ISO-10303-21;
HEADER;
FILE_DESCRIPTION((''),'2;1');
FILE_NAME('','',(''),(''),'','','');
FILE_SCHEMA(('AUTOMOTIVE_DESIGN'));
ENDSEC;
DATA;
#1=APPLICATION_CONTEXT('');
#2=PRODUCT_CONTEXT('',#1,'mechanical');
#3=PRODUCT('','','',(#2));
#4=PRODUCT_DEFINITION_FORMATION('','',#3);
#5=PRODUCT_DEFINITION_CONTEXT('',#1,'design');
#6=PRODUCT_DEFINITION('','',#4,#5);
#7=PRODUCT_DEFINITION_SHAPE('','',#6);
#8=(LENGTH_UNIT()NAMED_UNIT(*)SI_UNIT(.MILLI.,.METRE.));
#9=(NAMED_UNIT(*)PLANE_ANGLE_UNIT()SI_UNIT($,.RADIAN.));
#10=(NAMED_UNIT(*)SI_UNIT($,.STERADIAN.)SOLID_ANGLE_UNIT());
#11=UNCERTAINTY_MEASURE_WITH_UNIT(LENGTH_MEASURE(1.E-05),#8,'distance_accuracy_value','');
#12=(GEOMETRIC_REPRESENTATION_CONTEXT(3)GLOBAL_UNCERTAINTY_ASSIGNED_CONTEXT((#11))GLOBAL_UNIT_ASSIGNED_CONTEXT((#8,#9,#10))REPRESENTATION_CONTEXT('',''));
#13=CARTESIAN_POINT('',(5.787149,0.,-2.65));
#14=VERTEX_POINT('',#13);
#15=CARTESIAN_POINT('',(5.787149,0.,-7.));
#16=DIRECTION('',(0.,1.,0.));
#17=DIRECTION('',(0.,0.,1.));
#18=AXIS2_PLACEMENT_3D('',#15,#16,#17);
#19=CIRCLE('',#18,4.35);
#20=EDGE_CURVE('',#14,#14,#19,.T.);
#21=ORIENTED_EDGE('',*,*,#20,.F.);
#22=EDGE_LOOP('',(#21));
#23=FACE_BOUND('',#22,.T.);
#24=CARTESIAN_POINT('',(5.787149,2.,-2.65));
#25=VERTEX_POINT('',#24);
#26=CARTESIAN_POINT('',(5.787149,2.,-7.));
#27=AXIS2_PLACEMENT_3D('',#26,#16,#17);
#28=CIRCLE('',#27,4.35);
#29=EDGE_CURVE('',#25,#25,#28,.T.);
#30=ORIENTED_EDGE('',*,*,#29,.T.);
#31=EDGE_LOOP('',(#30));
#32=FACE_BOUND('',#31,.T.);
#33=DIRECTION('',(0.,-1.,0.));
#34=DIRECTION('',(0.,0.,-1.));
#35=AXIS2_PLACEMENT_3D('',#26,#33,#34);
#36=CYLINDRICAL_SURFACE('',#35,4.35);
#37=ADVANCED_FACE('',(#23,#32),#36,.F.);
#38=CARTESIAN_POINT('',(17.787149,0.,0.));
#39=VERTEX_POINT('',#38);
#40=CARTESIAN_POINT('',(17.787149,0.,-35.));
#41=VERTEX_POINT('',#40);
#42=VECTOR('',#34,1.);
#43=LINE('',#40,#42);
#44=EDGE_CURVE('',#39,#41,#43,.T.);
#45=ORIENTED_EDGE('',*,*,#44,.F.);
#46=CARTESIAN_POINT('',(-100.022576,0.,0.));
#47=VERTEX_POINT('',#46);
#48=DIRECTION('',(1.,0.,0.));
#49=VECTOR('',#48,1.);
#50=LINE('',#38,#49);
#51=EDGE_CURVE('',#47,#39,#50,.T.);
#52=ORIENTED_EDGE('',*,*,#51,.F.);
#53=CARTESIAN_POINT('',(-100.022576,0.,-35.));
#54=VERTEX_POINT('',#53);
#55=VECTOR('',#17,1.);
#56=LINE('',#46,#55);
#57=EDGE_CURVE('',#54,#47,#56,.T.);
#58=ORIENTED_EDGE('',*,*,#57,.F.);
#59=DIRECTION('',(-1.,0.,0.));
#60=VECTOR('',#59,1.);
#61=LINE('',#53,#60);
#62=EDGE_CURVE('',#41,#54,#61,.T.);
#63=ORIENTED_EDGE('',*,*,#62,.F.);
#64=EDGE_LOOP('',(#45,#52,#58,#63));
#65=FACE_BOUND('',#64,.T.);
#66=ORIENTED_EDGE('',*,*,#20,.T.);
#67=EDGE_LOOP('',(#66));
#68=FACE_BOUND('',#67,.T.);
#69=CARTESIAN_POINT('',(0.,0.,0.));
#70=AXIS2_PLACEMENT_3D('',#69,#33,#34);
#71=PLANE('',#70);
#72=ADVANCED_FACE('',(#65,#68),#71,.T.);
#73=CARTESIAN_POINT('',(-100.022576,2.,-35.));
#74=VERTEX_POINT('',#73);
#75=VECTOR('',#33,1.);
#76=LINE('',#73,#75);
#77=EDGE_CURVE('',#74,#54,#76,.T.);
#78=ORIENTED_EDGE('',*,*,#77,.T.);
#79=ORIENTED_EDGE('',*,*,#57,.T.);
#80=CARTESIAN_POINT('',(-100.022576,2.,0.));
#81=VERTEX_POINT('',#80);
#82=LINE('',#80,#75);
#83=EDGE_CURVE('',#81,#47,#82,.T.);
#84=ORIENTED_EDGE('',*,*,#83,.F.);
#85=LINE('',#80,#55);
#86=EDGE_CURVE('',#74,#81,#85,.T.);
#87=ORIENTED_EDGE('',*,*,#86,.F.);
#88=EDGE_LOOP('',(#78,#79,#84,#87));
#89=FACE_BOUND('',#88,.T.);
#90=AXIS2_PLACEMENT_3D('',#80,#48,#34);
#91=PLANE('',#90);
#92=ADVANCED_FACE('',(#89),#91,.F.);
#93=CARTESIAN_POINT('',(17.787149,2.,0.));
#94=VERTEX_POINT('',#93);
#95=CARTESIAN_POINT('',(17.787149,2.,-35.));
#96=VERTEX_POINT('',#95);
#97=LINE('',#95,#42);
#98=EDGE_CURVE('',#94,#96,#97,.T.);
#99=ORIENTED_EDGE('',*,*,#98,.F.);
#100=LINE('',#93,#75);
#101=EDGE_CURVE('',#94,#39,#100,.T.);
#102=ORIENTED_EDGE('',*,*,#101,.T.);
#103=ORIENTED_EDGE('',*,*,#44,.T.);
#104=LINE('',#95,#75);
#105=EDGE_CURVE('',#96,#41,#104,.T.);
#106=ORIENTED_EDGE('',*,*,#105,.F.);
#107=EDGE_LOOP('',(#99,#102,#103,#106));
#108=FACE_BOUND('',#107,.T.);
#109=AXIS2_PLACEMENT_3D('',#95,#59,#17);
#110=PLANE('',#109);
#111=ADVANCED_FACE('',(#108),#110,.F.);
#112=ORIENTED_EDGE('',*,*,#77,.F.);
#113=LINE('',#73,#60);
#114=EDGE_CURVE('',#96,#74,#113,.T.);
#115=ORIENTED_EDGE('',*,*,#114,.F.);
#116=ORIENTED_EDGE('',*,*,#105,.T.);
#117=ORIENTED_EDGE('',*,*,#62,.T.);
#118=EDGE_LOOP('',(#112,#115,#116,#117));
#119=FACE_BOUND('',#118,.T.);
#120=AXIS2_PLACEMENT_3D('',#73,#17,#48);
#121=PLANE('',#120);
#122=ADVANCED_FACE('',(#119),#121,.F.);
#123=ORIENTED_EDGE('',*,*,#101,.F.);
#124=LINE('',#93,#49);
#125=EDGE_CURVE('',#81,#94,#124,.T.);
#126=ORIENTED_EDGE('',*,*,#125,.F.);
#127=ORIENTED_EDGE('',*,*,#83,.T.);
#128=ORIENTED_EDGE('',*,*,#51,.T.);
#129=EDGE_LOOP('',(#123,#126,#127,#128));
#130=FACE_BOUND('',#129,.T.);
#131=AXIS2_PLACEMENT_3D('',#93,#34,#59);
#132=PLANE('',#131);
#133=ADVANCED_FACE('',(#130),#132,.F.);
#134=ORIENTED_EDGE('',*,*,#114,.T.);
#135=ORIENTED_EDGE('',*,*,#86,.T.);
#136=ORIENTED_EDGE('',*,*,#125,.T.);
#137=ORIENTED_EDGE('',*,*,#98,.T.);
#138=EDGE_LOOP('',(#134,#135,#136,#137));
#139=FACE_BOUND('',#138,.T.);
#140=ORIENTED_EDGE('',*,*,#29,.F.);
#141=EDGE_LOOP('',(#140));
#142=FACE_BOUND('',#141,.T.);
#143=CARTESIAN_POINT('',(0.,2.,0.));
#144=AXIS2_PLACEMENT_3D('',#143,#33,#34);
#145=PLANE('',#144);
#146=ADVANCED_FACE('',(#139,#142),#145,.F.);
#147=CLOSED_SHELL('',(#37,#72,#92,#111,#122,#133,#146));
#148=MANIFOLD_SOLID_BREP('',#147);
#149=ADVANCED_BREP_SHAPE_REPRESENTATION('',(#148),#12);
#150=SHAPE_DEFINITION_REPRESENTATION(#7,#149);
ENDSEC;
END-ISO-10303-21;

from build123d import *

# Parameters (mm, degrees)
SKETCH1_W           = 117.809724509
SKETCH1_H           = 35
SKETCH1_R           = 4.35
BOSS_EXTRUDE1_DEPTH = 2


with BuildPart() as part:
    # Sketch1 → Boss-Extrude1 (new body)
    with BuildSketch(Plane(origin=(0, 0, 0), x_dir=(1, 0, 0), z_dir=(0, 1, 0))):
        with Locations((-41.117713661, 17.5)):
            Rectangle(SKETCH1_W, SKETCH1_H)
        with Locations((5.787148594, 7)):
            Circle(SKETCH1_R, mode=Mode.SUBTRACT)
    extrude(amount=BOSS_EXTRUDE1_DEPTH)


solid = part.part
